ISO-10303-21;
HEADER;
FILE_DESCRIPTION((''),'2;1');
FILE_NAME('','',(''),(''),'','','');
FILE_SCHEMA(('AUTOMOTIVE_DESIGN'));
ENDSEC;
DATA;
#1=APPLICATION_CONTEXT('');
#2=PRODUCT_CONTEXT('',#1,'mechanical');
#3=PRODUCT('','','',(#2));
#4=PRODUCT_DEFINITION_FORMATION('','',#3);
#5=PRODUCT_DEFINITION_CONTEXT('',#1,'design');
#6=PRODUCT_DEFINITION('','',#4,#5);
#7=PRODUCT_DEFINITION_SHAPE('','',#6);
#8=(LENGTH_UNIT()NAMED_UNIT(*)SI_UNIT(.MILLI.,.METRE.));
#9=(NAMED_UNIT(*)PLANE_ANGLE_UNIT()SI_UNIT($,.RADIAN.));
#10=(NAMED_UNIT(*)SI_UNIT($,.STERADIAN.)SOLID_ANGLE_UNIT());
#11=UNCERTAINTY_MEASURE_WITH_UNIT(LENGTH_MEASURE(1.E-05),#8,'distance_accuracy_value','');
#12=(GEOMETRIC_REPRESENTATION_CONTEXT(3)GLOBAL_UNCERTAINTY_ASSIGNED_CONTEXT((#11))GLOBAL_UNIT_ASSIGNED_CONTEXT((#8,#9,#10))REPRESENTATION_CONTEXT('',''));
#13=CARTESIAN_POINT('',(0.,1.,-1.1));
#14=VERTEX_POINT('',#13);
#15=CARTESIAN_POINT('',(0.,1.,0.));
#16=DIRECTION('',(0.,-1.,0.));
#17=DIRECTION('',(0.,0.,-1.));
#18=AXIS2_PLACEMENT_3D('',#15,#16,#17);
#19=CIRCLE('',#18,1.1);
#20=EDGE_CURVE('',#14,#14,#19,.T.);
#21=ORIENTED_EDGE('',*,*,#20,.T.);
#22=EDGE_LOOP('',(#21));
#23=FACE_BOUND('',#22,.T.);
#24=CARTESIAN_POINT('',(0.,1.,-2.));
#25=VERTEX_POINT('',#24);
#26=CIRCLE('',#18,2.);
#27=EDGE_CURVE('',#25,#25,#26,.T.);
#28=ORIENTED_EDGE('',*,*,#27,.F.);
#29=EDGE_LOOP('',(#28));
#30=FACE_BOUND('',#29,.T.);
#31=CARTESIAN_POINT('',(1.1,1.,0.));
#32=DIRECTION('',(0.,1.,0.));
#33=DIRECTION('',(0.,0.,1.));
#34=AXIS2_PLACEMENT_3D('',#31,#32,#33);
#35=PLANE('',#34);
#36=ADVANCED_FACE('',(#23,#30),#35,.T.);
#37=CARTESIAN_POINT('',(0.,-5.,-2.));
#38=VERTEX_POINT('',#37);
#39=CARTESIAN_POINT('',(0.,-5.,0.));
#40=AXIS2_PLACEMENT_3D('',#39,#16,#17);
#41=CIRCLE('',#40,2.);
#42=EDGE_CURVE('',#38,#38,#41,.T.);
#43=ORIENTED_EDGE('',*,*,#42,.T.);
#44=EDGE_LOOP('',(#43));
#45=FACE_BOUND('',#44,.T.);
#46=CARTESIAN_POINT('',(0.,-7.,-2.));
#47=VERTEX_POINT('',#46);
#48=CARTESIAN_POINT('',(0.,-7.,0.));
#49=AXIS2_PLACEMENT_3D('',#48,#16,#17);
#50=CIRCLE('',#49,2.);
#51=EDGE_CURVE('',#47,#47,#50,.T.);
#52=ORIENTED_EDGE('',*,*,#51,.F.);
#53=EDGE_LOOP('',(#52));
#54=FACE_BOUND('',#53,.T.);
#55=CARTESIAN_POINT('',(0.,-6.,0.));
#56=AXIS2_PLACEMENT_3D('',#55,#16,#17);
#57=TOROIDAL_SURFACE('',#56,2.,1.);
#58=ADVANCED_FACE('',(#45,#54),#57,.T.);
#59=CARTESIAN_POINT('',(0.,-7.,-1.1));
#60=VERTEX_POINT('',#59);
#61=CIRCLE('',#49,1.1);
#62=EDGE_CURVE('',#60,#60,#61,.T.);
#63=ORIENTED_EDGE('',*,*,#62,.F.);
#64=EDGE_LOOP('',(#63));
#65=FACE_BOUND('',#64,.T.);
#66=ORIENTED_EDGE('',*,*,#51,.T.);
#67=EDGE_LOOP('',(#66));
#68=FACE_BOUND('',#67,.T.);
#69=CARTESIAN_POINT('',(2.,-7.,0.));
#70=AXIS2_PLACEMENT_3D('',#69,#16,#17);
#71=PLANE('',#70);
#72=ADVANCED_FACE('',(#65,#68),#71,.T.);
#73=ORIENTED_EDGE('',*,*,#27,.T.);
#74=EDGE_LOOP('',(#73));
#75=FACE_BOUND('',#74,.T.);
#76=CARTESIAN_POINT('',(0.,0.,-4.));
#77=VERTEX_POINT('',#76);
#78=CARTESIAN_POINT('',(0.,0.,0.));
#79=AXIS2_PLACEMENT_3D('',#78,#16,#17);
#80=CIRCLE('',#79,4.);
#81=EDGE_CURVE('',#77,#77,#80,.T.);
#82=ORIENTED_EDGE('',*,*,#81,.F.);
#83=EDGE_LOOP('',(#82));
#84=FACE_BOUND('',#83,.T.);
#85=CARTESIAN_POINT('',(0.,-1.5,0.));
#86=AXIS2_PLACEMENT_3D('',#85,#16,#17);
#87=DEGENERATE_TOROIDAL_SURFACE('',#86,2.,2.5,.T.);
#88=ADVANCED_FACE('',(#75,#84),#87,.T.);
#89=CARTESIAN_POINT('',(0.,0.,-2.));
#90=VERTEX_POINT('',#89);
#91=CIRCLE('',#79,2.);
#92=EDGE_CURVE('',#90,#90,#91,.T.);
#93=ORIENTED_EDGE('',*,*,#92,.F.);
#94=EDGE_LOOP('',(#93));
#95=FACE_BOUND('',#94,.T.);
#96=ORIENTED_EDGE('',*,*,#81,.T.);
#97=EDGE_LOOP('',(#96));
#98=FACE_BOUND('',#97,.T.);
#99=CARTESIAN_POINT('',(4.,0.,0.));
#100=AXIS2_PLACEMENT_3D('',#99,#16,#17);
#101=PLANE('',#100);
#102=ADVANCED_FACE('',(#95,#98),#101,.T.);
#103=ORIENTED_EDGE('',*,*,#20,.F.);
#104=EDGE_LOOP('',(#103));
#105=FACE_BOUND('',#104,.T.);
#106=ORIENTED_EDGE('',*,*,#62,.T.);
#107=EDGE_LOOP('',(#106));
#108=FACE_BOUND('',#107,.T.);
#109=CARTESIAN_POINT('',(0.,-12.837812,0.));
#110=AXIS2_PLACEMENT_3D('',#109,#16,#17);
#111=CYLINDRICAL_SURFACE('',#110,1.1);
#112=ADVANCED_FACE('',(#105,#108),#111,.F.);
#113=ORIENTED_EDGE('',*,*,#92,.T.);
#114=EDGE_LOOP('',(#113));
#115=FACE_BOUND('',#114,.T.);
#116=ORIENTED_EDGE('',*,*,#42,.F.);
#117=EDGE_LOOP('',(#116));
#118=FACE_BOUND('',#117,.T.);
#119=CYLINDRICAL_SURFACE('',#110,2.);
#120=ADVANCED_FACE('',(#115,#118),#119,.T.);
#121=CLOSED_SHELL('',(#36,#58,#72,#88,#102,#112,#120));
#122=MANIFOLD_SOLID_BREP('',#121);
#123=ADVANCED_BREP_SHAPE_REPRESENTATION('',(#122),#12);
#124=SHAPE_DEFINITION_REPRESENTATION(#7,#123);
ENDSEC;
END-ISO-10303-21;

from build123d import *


with BuildPart() as part:
    # Эскиз1 → Повернуть1 (revolve)
    with BuildSketch(Plane.XY, mode=Mode.PRIVATE) as revolve_1_sk:
        with BuildLine():
            Line((1.1, 1), (2, 1))
            ThreePointArc((2, 1), (3.118033989, 0.736067977), (4, 0))
            Line((4, 0), (2, 0))
            Line((2, 0), (2, -5))
            ThreePointArc((2, -5), (3, -6), (2, -7))
            Line((2, -7), (1.1, -7))
            Line((1.1, -7), (1.1, 1))
        make_face()
    revolve(revolve_1_sk.sketch.rotate(Axis((0, -12.837811583, 0), (0, 1, 0)), 90), axis=Axis((0, -12.837811583, 0), (0, 1, 0)))


solid = part.part
